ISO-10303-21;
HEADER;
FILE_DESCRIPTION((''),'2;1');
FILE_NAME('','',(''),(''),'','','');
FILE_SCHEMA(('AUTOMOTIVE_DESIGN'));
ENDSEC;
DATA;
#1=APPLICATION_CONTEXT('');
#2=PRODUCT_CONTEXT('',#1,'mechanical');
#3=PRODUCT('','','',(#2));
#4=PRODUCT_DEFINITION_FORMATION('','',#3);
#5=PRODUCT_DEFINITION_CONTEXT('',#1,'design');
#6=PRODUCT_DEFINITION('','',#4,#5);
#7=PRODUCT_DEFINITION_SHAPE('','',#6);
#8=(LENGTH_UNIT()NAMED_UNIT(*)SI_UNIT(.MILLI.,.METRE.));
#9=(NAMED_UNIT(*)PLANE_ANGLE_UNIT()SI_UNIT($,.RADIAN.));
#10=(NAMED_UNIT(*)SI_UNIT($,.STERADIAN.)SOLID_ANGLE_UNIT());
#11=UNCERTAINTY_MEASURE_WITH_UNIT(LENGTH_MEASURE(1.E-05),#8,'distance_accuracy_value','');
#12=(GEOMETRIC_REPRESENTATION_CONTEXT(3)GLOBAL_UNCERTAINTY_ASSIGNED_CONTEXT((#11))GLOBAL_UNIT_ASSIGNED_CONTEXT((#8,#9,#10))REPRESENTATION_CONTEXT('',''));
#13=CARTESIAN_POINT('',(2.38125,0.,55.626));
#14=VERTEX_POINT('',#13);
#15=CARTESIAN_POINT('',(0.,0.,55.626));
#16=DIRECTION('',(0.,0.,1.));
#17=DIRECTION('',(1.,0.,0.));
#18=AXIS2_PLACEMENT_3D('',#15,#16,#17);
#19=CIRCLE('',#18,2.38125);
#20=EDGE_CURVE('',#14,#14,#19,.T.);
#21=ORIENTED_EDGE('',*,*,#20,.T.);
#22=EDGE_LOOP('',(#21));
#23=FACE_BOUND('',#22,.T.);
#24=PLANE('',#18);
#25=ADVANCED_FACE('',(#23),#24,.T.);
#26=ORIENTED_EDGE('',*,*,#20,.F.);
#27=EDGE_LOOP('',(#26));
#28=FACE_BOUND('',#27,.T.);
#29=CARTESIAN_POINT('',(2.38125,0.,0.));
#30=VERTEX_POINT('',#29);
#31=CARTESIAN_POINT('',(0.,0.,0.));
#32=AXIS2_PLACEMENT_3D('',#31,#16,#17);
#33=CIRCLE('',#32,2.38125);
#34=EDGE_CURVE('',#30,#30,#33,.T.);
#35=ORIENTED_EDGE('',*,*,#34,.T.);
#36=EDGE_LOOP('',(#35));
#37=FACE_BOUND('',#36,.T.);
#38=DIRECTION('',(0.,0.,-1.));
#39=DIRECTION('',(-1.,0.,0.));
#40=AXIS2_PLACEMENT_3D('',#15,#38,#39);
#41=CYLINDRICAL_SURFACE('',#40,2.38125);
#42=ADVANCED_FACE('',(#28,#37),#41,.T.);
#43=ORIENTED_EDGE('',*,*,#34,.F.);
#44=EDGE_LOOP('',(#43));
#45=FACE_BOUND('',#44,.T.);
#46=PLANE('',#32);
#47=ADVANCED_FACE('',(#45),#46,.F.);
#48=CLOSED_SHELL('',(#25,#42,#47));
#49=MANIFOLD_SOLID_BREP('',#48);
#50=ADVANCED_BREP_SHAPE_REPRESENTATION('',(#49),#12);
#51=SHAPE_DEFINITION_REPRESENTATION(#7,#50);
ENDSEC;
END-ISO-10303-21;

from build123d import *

# Parameters (mm, degrees)
SKETCH1_R           = 2.38125
BOSS_EXTRUDE1_DEPTH = 55.626


with BuildPart() as part:
    # Sketch1 → Boss-Extrude1 (new body)
    with BuildSketch(Plane.XY):
        Circle(SKETCH1_R)
    extrude(amount=BOSS_EXTRUDE1_DEPTH)


solid = part.part
